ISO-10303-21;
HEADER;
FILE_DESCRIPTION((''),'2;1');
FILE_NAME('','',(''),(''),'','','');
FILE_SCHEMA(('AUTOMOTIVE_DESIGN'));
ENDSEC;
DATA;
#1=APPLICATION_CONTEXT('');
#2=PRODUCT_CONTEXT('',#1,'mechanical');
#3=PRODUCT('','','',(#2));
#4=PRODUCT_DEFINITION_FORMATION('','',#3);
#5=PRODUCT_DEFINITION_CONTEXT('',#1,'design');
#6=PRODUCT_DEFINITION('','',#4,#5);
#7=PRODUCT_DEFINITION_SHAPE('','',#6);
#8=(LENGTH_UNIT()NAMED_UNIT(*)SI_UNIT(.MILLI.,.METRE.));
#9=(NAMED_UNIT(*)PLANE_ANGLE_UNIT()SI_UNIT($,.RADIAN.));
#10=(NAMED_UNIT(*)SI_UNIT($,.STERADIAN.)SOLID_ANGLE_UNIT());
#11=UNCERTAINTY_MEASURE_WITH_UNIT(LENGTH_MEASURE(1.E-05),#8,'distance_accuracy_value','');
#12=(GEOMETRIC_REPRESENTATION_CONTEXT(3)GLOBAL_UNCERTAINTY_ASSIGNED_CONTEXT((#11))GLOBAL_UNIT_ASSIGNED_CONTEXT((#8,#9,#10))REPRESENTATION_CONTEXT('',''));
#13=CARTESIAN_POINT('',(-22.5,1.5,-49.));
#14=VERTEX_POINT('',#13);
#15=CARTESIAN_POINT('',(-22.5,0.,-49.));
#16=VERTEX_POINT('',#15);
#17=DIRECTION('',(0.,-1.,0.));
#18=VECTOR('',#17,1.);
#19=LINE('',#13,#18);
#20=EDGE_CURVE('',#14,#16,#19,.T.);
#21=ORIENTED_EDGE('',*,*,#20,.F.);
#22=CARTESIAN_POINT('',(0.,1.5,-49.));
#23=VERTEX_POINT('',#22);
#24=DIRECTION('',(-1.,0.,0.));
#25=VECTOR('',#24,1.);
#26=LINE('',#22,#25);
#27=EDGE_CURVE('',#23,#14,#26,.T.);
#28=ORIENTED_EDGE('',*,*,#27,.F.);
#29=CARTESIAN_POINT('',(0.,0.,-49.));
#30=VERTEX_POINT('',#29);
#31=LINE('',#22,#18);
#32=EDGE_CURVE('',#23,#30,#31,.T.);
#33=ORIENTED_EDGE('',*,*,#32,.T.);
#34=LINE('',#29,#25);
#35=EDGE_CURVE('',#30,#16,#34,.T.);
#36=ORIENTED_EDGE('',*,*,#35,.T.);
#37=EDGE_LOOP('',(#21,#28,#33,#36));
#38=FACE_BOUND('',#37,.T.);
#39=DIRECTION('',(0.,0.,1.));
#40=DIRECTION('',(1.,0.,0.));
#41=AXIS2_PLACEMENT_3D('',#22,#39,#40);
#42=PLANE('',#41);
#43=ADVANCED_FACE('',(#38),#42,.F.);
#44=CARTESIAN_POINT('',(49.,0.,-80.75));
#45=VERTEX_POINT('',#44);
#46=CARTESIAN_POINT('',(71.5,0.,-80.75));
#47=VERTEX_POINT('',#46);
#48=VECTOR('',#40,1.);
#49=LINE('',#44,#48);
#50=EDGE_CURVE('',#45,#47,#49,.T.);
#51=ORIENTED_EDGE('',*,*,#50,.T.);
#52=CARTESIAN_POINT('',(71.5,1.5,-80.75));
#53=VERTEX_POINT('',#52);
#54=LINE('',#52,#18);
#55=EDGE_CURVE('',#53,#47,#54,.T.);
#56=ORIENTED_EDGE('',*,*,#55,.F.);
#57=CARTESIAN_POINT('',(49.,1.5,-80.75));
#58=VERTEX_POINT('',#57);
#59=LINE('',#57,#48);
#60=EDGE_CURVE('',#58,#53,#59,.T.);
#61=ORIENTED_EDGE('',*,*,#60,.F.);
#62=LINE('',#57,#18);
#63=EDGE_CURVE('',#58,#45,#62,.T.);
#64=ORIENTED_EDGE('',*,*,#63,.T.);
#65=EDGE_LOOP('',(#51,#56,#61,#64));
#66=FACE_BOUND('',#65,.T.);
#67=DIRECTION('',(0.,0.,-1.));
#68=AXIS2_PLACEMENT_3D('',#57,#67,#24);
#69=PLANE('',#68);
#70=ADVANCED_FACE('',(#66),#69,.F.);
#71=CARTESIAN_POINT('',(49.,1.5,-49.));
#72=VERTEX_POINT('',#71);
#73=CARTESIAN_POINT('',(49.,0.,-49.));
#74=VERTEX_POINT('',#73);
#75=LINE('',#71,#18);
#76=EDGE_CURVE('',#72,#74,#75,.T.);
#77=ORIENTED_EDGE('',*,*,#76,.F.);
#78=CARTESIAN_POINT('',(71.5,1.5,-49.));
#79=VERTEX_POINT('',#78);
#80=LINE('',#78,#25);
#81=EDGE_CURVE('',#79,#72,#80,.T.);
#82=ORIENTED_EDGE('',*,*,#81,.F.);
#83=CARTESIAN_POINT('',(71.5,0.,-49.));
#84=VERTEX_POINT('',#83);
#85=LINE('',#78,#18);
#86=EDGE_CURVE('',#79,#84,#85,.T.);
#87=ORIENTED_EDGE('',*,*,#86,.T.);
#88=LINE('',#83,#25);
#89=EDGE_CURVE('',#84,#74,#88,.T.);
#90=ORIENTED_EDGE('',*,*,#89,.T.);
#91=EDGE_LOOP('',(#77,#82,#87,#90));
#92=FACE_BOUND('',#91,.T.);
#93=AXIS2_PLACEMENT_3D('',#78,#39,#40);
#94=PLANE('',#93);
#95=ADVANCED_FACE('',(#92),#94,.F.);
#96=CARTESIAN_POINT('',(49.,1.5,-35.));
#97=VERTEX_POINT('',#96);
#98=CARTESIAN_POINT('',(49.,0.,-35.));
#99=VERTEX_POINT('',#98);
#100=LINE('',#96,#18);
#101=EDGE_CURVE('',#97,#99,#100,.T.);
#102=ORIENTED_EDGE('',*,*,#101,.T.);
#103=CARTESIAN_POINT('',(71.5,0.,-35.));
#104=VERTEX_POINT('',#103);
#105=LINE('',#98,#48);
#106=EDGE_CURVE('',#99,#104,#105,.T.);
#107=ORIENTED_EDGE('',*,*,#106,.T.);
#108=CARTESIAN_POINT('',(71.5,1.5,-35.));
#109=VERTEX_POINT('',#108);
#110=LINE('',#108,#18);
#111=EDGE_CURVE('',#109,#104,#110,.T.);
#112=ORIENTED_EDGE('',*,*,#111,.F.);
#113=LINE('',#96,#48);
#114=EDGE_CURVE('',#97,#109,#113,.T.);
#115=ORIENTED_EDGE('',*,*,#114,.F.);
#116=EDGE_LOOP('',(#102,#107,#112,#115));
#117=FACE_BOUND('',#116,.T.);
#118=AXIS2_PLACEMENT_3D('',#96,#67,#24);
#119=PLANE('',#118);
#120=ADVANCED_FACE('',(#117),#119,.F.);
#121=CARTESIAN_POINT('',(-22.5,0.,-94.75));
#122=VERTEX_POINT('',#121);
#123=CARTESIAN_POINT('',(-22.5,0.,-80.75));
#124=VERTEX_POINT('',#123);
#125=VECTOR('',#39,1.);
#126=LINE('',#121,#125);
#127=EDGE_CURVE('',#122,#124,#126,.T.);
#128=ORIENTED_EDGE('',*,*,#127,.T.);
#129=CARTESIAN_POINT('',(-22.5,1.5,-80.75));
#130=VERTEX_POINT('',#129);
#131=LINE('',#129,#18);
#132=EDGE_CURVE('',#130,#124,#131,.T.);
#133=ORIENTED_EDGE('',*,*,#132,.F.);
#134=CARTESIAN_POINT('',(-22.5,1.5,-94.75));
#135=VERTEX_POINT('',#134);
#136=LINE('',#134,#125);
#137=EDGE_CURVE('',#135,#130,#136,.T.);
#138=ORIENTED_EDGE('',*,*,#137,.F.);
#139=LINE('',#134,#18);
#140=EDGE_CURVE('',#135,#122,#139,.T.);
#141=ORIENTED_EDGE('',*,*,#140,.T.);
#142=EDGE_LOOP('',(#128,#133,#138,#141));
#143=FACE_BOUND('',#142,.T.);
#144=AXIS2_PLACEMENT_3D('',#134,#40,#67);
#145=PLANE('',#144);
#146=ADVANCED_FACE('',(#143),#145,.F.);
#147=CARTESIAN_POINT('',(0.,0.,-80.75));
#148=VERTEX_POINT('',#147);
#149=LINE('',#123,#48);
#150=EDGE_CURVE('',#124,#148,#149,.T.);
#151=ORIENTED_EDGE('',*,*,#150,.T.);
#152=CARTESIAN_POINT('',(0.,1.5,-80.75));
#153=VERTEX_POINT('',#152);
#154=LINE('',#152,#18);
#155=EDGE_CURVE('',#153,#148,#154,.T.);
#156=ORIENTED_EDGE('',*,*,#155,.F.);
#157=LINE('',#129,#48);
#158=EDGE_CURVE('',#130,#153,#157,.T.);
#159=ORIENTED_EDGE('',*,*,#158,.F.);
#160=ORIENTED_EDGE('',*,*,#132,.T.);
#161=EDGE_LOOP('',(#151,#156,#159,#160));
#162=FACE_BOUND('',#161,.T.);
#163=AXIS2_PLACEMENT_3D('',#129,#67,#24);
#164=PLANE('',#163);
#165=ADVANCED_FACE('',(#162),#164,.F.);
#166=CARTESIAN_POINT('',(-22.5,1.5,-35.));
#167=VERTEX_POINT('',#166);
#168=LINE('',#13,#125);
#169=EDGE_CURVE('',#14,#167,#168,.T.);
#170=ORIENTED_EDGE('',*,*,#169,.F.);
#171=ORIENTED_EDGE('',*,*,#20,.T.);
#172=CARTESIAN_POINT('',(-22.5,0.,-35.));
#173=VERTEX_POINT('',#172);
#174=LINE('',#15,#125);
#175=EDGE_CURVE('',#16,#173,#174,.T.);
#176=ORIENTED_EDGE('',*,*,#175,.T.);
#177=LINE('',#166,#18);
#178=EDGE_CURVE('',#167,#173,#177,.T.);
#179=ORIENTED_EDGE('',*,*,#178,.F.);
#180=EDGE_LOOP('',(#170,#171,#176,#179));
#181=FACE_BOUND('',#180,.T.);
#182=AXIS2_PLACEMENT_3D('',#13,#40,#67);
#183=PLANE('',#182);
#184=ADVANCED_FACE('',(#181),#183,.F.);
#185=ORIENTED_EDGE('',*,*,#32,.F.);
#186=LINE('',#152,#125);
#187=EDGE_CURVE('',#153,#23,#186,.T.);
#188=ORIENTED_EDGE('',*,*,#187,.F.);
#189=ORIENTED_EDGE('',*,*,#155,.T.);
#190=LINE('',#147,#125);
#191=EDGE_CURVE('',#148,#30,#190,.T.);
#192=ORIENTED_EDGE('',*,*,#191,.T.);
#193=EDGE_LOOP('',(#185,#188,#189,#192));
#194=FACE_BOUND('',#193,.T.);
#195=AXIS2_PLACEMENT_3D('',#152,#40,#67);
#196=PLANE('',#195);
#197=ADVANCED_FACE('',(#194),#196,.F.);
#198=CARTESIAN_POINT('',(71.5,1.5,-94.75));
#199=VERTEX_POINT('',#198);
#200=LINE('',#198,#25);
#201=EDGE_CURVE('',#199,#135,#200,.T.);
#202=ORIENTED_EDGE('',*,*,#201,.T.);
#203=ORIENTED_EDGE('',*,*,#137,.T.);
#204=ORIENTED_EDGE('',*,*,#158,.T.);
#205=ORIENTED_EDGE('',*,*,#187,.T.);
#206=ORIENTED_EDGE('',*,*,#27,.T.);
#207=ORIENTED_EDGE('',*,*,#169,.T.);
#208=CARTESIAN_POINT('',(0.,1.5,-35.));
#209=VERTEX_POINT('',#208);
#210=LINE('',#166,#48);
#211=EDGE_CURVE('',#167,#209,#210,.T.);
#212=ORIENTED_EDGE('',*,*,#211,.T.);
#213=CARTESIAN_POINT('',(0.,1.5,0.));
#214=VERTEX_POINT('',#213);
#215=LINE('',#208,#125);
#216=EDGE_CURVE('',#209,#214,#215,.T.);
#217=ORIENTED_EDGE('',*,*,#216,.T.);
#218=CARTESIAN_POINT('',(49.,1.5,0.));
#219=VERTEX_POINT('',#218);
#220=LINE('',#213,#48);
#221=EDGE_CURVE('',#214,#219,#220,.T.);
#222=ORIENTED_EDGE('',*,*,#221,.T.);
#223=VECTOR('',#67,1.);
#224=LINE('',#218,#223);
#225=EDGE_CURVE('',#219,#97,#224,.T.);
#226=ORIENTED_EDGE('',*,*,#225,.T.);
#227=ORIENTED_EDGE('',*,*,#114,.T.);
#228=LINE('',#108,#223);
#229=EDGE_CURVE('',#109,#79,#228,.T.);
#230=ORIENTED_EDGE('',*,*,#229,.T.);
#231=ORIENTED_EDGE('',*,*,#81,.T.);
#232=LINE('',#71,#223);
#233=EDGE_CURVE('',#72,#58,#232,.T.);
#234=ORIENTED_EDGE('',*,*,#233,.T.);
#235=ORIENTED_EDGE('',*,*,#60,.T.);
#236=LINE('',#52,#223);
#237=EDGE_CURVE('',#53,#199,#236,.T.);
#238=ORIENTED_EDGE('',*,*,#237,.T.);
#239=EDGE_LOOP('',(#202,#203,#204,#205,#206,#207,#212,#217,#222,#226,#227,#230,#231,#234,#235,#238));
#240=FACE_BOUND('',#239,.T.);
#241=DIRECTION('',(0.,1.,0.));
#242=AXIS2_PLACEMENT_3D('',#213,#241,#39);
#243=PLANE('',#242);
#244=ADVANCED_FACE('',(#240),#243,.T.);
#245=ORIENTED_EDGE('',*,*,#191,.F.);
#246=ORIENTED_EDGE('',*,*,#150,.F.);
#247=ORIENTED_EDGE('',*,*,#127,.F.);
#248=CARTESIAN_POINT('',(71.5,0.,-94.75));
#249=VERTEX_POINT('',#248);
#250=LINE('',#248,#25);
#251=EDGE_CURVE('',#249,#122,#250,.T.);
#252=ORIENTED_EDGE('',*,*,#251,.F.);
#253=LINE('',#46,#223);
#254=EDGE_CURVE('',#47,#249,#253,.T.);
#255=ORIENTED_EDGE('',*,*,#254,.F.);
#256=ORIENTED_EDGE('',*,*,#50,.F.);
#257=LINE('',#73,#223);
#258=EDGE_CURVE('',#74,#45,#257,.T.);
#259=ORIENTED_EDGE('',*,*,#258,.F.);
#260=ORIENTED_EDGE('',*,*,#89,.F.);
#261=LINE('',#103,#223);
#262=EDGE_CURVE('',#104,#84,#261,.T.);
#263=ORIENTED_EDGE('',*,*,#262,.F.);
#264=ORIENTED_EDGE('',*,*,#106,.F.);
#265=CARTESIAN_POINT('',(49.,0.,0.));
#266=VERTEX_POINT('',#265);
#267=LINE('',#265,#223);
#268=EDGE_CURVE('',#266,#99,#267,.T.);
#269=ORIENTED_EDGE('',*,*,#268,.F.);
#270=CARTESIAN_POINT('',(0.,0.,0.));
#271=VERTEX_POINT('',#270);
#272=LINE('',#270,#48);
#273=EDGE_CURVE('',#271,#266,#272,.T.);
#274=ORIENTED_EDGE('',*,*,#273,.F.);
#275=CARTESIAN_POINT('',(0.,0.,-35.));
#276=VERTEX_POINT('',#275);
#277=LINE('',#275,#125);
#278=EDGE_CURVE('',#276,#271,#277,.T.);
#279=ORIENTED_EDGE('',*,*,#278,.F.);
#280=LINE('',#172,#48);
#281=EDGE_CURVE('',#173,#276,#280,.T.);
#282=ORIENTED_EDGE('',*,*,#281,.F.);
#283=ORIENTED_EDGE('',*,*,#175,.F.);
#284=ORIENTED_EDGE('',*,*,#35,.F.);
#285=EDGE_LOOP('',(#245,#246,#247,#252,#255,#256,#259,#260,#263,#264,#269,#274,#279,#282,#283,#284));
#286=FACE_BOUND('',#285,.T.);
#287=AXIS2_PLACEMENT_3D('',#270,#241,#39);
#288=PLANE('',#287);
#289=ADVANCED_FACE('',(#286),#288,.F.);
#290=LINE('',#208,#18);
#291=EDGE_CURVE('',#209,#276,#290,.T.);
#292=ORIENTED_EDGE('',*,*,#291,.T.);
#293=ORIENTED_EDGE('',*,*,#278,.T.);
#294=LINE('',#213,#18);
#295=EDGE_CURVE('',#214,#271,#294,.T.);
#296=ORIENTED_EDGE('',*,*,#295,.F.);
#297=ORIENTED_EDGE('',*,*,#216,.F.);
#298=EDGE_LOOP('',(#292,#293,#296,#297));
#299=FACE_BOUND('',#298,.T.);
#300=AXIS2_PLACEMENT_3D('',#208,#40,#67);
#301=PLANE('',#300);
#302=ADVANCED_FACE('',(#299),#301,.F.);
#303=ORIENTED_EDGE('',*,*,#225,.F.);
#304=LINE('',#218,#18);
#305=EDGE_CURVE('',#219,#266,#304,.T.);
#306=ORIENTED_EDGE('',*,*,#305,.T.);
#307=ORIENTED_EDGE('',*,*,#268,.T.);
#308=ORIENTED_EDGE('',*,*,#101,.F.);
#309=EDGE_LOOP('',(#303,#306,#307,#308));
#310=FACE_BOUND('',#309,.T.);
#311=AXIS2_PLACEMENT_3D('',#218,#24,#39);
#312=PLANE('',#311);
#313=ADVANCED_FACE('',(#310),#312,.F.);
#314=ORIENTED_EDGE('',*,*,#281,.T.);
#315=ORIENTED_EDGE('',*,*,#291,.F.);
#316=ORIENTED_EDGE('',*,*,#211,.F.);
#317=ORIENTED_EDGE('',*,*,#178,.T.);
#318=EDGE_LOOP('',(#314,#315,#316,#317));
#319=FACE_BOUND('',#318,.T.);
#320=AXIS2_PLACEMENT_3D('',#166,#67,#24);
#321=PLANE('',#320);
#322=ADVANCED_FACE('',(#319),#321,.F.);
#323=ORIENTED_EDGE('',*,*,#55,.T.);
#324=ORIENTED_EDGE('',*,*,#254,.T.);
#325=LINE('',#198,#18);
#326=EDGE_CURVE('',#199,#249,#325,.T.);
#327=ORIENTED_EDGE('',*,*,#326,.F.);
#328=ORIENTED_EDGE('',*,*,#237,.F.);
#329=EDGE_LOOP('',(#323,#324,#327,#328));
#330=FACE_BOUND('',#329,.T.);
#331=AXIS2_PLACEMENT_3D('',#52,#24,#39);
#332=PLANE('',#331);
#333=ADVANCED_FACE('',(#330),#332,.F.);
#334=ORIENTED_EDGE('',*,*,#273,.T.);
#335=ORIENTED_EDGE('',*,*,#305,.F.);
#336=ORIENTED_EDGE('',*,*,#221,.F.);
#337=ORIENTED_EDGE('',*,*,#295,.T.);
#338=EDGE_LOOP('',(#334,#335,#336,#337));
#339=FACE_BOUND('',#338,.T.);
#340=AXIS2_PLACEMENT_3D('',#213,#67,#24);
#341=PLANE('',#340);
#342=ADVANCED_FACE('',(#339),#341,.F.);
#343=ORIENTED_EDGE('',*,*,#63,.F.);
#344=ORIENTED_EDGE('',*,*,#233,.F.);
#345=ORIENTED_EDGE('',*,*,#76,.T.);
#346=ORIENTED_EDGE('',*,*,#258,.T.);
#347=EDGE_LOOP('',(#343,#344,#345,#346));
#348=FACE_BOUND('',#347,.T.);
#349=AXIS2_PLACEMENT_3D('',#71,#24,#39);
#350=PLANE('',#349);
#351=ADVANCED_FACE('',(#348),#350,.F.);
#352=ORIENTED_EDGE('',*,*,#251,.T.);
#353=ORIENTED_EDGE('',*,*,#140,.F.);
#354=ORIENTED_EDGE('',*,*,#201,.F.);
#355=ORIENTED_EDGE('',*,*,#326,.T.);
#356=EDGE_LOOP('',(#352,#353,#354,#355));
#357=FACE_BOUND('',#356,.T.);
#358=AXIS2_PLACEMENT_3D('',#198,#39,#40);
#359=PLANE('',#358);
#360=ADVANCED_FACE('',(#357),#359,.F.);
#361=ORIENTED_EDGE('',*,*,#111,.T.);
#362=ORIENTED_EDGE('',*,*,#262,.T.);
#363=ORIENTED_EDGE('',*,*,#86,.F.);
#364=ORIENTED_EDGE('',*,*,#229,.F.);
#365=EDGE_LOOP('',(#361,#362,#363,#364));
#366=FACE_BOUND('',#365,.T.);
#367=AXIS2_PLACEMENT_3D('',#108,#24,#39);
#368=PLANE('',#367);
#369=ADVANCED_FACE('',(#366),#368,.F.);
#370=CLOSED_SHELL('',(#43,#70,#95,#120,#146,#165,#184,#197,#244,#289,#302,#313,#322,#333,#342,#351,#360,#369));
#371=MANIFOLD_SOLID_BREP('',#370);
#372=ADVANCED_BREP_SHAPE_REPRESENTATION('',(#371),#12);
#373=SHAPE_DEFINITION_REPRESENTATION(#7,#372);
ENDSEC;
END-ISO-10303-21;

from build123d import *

# Parameters (mm, degrees)
BOSS_EXTRUDE1_DEPTH = 1.5


with BuildPart() as part:
    # Sketch2 → Boss-Extrude1 (new body)
    with BuildSketch(Plane(origin=(0, 0, 0), x_dir=(1, 0, 0), z_dir=(0, 1, 0))):
        Polygon((-22.5, 94.75), (-22.5, 80.75), (0, 80.75), (0, 49), (-22.5, 49), (-22.5, 35), (0, 35), (0, 0), (49, 0), (49, 35), (71.5, 35), (71.5, 49), (49, 49), (49, 80.75), (71.5, 80.75), (71.5, 94.75), align=None)
    extrude(amount=BOSS_EXTRUDE1_DEPTH)


solid = part.part
